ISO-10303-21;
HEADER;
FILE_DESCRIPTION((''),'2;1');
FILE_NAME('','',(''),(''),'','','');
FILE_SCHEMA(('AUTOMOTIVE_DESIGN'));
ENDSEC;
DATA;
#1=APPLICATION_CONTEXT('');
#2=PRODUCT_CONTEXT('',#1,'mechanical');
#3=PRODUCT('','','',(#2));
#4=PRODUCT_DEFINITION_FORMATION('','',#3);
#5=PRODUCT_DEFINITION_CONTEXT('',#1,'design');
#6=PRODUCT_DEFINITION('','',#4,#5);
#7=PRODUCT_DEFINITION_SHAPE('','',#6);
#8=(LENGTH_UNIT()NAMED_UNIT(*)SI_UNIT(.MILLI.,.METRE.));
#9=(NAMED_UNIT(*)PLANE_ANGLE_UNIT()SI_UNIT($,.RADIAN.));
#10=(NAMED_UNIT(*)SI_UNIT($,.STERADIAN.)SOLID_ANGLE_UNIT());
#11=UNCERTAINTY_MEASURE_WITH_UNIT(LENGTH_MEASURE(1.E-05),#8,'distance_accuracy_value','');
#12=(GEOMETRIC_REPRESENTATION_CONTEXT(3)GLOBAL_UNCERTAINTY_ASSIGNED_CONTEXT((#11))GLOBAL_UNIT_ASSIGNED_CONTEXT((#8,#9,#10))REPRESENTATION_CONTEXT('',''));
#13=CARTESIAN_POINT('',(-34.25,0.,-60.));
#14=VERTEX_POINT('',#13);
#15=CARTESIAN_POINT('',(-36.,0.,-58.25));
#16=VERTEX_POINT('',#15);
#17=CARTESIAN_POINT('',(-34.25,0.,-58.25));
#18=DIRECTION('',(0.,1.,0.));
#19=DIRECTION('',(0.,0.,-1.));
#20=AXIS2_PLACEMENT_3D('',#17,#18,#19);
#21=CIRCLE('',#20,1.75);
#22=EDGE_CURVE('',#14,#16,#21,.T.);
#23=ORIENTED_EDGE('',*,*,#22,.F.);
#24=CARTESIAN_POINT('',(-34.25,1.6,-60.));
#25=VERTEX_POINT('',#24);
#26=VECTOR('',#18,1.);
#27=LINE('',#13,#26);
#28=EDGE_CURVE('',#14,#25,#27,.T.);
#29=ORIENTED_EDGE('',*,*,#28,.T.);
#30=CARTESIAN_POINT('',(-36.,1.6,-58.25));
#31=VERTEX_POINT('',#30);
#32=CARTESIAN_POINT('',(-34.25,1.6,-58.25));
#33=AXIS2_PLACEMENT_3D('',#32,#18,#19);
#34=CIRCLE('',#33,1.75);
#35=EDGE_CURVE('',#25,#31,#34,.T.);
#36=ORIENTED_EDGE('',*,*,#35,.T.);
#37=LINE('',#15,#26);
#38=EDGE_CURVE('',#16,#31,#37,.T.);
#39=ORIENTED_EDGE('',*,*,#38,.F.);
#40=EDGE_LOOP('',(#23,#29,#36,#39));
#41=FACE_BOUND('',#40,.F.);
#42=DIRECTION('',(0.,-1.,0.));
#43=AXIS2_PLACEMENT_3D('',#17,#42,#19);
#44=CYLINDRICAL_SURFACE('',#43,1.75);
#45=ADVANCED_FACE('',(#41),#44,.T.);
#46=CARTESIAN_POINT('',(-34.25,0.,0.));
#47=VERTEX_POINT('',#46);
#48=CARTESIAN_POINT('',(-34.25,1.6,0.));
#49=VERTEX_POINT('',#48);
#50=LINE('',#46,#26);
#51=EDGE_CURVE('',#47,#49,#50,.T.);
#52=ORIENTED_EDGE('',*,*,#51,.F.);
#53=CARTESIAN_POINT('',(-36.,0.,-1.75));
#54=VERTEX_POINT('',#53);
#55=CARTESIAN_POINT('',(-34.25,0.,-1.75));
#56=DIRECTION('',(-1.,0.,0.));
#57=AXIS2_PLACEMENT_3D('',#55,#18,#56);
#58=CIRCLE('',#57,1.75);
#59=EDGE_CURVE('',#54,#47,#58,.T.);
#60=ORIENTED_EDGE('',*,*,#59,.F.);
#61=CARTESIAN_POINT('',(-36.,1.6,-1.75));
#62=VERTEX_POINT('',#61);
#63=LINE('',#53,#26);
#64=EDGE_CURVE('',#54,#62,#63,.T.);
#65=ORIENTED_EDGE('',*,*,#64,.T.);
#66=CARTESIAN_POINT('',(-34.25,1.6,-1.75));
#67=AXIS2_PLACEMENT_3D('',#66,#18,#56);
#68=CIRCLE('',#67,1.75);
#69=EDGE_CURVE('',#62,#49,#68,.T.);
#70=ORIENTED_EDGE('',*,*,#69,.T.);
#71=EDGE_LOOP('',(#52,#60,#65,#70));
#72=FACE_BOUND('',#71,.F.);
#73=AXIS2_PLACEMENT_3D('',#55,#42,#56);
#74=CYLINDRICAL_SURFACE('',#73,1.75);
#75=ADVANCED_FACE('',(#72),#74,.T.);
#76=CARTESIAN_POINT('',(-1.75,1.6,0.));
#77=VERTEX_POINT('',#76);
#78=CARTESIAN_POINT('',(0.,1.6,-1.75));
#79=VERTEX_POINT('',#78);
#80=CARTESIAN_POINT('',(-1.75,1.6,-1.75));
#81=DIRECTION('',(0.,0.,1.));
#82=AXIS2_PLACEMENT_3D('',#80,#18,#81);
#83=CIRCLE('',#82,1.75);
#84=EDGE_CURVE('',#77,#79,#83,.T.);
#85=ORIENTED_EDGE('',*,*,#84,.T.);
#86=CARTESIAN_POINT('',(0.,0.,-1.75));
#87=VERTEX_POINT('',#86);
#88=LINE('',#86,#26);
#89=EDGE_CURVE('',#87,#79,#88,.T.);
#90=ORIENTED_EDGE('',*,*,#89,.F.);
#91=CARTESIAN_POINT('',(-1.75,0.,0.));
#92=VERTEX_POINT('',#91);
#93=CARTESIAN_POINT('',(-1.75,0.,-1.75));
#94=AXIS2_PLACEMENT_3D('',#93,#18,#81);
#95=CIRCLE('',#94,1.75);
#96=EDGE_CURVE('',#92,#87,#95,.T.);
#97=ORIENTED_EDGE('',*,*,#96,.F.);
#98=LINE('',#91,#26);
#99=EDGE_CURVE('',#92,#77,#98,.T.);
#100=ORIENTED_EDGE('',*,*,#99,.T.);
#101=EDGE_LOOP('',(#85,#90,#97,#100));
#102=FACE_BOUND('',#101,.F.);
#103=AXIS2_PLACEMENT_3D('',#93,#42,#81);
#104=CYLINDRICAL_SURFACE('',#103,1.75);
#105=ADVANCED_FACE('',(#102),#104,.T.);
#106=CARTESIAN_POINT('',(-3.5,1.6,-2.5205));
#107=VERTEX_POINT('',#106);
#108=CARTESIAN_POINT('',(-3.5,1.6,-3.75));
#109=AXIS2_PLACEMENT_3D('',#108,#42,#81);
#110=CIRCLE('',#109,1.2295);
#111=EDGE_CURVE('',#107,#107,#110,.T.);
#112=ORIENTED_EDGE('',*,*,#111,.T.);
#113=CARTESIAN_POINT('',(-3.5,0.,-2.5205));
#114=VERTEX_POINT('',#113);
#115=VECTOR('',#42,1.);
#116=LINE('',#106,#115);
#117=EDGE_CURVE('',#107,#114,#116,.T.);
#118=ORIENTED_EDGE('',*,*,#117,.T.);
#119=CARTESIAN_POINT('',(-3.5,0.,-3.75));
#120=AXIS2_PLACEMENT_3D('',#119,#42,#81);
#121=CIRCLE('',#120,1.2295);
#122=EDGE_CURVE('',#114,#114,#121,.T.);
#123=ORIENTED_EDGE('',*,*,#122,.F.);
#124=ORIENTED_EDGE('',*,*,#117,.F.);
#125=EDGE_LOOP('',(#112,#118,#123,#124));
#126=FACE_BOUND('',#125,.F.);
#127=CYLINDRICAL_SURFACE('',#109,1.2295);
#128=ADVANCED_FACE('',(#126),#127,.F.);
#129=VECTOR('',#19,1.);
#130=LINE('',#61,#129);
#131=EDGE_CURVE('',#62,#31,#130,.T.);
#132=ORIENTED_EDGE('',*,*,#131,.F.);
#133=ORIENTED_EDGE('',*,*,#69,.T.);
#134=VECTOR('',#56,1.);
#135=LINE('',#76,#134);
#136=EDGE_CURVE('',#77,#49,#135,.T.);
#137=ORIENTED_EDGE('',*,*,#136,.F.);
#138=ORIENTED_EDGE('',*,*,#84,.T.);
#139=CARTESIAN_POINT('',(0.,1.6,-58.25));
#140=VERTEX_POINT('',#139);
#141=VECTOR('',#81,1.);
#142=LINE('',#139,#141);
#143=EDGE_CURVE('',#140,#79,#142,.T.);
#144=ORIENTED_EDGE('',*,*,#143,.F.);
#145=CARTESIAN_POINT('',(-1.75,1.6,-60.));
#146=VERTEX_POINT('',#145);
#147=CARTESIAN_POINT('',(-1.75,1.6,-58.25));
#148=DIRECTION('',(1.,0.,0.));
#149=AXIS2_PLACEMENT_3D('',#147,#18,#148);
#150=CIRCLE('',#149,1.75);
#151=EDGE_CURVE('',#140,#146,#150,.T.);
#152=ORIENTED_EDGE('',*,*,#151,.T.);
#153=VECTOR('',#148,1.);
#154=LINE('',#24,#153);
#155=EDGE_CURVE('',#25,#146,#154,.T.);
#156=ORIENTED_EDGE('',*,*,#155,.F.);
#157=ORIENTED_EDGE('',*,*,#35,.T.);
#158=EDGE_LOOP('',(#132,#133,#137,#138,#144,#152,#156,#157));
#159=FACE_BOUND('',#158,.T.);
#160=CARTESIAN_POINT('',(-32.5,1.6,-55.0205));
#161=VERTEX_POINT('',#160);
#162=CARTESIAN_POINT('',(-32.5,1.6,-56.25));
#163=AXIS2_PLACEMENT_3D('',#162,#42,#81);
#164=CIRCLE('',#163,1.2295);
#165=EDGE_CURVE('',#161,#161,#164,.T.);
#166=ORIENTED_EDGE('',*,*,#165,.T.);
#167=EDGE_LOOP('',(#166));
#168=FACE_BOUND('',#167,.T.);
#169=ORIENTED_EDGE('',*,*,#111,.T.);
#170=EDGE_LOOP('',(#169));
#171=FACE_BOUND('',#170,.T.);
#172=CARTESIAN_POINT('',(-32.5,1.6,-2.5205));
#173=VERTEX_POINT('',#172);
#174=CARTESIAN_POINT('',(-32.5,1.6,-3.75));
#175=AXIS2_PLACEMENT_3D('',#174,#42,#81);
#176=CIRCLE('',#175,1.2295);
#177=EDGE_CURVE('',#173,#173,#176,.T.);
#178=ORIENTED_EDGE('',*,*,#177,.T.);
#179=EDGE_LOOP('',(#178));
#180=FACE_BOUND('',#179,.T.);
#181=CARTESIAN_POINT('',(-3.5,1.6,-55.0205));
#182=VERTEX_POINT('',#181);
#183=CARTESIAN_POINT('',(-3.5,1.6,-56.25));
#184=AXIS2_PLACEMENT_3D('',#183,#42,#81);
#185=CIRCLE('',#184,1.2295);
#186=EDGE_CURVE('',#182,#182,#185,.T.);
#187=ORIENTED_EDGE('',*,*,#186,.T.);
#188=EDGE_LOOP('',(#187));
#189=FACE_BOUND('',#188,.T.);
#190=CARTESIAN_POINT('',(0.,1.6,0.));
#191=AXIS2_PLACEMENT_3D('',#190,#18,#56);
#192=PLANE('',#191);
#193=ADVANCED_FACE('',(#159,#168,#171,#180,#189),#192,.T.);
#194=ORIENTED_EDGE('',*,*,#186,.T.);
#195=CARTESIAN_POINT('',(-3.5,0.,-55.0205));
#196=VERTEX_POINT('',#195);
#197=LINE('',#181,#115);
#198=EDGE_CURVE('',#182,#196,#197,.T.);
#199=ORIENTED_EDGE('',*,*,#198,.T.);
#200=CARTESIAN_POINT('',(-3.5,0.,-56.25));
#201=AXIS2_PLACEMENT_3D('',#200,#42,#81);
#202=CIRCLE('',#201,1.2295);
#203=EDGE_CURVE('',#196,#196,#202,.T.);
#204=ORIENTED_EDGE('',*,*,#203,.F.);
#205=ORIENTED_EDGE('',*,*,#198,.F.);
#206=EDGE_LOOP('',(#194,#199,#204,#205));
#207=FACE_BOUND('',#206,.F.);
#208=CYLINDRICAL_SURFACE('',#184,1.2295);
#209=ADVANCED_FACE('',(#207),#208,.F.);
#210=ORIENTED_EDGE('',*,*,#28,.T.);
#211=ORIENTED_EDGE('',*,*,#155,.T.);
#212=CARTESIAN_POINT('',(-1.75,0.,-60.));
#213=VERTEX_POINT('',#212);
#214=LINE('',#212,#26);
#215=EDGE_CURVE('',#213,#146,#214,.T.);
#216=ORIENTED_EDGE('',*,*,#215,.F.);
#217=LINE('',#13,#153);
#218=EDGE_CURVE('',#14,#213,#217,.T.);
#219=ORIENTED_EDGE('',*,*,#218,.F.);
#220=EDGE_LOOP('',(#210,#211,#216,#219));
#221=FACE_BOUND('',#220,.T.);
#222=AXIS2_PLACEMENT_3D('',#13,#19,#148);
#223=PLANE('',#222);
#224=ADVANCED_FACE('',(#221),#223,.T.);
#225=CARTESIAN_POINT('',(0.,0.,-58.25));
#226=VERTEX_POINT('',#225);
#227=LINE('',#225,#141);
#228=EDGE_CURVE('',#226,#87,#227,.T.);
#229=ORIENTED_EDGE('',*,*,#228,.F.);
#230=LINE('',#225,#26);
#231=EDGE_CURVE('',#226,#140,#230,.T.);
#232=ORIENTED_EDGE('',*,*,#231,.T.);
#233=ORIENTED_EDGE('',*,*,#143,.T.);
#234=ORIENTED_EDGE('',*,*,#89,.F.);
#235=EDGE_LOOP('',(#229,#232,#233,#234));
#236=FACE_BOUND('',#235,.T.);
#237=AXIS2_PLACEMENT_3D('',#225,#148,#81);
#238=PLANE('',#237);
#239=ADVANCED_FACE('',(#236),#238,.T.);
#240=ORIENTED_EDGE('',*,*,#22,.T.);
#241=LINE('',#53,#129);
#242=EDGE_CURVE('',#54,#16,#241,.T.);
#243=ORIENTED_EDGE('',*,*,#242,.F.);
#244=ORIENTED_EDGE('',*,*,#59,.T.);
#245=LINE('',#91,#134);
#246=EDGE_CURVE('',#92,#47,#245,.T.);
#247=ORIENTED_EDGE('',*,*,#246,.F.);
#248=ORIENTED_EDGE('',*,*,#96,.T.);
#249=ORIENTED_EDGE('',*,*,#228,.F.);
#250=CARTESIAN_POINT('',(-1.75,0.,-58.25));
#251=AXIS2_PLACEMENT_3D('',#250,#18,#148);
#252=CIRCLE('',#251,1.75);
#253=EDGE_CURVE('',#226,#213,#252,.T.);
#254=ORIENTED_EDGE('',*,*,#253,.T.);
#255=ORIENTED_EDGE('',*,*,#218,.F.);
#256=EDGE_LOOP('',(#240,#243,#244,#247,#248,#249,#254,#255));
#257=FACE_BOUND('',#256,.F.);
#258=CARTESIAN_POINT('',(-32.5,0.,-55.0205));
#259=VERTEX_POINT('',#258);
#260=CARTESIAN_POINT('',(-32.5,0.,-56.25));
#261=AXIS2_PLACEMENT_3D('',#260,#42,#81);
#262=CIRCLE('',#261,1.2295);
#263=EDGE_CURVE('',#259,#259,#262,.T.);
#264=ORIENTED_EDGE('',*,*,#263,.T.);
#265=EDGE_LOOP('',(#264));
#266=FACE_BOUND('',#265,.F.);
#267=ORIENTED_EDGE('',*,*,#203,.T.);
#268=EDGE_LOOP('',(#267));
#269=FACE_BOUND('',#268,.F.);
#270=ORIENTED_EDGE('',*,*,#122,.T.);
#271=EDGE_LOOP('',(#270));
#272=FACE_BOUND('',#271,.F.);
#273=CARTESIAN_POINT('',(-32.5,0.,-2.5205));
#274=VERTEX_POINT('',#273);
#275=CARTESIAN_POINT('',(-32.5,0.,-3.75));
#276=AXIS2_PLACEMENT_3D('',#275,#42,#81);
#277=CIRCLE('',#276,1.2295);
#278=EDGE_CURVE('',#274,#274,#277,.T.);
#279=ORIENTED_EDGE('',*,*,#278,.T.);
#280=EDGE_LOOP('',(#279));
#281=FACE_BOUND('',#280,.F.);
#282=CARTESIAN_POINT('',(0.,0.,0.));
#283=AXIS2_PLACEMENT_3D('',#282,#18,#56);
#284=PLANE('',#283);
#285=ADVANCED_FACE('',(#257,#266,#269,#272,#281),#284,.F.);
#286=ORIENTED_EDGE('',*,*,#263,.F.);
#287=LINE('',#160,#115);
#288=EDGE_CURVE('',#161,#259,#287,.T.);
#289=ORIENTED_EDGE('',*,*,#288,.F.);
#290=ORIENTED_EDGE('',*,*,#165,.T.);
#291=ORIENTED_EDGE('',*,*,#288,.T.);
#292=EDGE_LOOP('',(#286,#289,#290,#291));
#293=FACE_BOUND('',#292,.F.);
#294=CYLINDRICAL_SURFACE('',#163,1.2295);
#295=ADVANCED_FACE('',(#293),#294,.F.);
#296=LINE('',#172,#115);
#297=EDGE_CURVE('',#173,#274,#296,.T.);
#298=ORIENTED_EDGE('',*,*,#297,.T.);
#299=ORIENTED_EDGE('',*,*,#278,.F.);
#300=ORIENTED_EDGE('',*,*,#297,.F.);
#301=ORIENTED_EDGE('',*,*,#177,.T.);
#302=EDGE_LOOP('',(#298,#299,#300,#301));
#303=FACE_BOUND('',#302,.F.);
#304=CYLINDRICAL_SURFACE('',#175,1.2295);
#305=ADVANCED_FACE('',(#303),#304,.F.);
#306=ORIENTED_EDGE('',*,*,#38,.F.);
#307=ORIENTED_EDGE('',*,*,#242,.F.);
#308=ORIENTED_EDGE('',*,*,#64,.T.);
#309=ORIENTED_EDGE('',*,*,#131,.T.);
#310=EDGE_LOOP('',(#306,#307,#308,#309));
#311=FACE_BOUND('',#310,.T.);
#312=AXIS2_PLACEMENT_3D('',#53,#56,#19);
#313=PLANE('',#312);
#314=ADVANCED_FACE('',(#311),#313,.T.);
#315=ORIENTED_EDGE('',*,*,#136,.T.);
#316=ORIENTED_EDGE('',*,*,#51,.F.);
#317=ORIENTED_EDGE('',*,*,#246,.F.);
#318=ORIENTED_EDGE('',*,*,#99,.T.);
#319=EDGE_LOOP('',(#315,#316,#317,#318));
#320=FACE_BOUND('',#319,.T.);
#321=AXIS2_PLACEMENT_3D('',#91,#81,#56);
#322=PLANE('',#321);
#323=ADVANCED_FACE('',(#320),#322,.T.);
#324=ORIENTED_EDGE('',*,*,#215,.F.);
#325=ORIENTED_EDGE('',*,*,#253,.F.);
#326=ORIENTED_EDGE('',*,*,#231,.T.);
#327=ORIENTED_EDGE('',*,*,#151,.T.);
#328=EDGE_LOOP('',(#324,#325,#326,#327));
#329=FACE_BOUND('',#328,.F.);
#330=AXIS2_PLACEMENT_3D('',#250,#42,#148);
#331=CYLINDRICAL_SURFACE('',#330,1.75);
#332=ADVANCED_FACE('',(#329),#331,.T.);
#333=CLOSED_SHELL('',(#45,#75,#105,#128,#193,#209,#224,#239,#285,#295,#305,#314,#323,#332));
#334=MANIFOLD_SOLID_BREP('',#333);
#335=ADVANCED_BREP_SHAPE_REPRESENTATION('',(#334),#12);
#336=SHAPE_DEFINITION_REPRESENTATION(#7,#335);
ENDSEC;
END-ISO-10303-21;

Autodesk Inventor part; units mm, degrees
ref_plane "YZ Plane" through (0, 0, 0) normal (1, 0, 0) x (0, 1, 0)
ref_plane "XZ Plane" through (0, 0, 0) normal (0, 1, 0) x (-1, 0, 0)
ref_plane "XY Plane" through (0, 0, 0) normal (0, 0, 1) x (1, 0, 0)
sketch "Sketch1" plane through (0, 0, 0) normal (0, 1, 0) x (-1, 0, 0)
  line L0 (1.75, 0) -> (34.25, 0)
  line L1 (36, -1.75) -> (36, -58.25)
  line L2 (34.25, -60) -> (1.75, -60)
  line L3 (0, -58.25) -> (0, -1.75)
  arc A0 (36, -1.75) -> (34.25, 0) centre (34.25, -1.75) ccw
  arc A1 (1.75, 0) -> (0, -1.75) centre (1.75, -1.75) ccw
  arc A2 (0, -58.25) -> (1.75, -60) centre (1.75, -58.25) ccw
  arc A3 (34.25, -60) -> (36, -58.25) centre (34.25, -58.25) ccw
  point P0 (0, 0)
  point P1 (36, -60)
  point P2 (36, 0)
  point P3 (0, -60)
  dimension "d0" = 36
  dimension "d1" = 60
  dimension "d2" = 1.75
extrude "Extrusion1" add sketch "Sketch1" along normal blind 1.6
sketch "Sketch2" plane through (0, 1.6, 0) normal (0, 1, 0) x (1, 0, 0)
  line L0 (-32.5, 3.75) -> (-3.5, 3.75) construction
  line L1 (-3.5, 3.75) -> (-3.5, 56.25) construction
  line L2 (-3.5, 56.25) -> (-32.5, 56.25) construction
  line L3 (-32.5, 56.25) -> (-32.5, 3.75) construction
  line L4 (-36, 58.25) -> (-36, 1.75) projected
  line L5 (0, 1.75) -> (0, 58.25) projected
  line L6 (-1.75, 60) -> (-34.25, 60) projected
  line L7 (-34.25, 0) -> (-1.75, 0) projected
  point P0 (0, 0)
  dimension "d5" = 52.5
  dimension "d6" = 29
  dimension "d7" = 36
  dimension "d8" = 60
  dimension "d9" = 3.75
  dimension "d10" = 3.5
hole "Hole1" at (-32.5, 1.6, -3.75) at (-3.5, 1.6, -3.75) at (-3.5, 1.6, -56.25) at (-32.5, 1.6, -56.25) direction (0, -1, 0) diameter 2.459 depth 8.8 thread size "M3x0.5" class "6H" standard "ANSI Metric M Profile"
equation "\"d9\" = -0.5 * d5 + 0.5 * d8"
equation "\"d10\" = -0.5 * d6 + 0.5 * d7"
properties part number "Drok Step Down PCB"
